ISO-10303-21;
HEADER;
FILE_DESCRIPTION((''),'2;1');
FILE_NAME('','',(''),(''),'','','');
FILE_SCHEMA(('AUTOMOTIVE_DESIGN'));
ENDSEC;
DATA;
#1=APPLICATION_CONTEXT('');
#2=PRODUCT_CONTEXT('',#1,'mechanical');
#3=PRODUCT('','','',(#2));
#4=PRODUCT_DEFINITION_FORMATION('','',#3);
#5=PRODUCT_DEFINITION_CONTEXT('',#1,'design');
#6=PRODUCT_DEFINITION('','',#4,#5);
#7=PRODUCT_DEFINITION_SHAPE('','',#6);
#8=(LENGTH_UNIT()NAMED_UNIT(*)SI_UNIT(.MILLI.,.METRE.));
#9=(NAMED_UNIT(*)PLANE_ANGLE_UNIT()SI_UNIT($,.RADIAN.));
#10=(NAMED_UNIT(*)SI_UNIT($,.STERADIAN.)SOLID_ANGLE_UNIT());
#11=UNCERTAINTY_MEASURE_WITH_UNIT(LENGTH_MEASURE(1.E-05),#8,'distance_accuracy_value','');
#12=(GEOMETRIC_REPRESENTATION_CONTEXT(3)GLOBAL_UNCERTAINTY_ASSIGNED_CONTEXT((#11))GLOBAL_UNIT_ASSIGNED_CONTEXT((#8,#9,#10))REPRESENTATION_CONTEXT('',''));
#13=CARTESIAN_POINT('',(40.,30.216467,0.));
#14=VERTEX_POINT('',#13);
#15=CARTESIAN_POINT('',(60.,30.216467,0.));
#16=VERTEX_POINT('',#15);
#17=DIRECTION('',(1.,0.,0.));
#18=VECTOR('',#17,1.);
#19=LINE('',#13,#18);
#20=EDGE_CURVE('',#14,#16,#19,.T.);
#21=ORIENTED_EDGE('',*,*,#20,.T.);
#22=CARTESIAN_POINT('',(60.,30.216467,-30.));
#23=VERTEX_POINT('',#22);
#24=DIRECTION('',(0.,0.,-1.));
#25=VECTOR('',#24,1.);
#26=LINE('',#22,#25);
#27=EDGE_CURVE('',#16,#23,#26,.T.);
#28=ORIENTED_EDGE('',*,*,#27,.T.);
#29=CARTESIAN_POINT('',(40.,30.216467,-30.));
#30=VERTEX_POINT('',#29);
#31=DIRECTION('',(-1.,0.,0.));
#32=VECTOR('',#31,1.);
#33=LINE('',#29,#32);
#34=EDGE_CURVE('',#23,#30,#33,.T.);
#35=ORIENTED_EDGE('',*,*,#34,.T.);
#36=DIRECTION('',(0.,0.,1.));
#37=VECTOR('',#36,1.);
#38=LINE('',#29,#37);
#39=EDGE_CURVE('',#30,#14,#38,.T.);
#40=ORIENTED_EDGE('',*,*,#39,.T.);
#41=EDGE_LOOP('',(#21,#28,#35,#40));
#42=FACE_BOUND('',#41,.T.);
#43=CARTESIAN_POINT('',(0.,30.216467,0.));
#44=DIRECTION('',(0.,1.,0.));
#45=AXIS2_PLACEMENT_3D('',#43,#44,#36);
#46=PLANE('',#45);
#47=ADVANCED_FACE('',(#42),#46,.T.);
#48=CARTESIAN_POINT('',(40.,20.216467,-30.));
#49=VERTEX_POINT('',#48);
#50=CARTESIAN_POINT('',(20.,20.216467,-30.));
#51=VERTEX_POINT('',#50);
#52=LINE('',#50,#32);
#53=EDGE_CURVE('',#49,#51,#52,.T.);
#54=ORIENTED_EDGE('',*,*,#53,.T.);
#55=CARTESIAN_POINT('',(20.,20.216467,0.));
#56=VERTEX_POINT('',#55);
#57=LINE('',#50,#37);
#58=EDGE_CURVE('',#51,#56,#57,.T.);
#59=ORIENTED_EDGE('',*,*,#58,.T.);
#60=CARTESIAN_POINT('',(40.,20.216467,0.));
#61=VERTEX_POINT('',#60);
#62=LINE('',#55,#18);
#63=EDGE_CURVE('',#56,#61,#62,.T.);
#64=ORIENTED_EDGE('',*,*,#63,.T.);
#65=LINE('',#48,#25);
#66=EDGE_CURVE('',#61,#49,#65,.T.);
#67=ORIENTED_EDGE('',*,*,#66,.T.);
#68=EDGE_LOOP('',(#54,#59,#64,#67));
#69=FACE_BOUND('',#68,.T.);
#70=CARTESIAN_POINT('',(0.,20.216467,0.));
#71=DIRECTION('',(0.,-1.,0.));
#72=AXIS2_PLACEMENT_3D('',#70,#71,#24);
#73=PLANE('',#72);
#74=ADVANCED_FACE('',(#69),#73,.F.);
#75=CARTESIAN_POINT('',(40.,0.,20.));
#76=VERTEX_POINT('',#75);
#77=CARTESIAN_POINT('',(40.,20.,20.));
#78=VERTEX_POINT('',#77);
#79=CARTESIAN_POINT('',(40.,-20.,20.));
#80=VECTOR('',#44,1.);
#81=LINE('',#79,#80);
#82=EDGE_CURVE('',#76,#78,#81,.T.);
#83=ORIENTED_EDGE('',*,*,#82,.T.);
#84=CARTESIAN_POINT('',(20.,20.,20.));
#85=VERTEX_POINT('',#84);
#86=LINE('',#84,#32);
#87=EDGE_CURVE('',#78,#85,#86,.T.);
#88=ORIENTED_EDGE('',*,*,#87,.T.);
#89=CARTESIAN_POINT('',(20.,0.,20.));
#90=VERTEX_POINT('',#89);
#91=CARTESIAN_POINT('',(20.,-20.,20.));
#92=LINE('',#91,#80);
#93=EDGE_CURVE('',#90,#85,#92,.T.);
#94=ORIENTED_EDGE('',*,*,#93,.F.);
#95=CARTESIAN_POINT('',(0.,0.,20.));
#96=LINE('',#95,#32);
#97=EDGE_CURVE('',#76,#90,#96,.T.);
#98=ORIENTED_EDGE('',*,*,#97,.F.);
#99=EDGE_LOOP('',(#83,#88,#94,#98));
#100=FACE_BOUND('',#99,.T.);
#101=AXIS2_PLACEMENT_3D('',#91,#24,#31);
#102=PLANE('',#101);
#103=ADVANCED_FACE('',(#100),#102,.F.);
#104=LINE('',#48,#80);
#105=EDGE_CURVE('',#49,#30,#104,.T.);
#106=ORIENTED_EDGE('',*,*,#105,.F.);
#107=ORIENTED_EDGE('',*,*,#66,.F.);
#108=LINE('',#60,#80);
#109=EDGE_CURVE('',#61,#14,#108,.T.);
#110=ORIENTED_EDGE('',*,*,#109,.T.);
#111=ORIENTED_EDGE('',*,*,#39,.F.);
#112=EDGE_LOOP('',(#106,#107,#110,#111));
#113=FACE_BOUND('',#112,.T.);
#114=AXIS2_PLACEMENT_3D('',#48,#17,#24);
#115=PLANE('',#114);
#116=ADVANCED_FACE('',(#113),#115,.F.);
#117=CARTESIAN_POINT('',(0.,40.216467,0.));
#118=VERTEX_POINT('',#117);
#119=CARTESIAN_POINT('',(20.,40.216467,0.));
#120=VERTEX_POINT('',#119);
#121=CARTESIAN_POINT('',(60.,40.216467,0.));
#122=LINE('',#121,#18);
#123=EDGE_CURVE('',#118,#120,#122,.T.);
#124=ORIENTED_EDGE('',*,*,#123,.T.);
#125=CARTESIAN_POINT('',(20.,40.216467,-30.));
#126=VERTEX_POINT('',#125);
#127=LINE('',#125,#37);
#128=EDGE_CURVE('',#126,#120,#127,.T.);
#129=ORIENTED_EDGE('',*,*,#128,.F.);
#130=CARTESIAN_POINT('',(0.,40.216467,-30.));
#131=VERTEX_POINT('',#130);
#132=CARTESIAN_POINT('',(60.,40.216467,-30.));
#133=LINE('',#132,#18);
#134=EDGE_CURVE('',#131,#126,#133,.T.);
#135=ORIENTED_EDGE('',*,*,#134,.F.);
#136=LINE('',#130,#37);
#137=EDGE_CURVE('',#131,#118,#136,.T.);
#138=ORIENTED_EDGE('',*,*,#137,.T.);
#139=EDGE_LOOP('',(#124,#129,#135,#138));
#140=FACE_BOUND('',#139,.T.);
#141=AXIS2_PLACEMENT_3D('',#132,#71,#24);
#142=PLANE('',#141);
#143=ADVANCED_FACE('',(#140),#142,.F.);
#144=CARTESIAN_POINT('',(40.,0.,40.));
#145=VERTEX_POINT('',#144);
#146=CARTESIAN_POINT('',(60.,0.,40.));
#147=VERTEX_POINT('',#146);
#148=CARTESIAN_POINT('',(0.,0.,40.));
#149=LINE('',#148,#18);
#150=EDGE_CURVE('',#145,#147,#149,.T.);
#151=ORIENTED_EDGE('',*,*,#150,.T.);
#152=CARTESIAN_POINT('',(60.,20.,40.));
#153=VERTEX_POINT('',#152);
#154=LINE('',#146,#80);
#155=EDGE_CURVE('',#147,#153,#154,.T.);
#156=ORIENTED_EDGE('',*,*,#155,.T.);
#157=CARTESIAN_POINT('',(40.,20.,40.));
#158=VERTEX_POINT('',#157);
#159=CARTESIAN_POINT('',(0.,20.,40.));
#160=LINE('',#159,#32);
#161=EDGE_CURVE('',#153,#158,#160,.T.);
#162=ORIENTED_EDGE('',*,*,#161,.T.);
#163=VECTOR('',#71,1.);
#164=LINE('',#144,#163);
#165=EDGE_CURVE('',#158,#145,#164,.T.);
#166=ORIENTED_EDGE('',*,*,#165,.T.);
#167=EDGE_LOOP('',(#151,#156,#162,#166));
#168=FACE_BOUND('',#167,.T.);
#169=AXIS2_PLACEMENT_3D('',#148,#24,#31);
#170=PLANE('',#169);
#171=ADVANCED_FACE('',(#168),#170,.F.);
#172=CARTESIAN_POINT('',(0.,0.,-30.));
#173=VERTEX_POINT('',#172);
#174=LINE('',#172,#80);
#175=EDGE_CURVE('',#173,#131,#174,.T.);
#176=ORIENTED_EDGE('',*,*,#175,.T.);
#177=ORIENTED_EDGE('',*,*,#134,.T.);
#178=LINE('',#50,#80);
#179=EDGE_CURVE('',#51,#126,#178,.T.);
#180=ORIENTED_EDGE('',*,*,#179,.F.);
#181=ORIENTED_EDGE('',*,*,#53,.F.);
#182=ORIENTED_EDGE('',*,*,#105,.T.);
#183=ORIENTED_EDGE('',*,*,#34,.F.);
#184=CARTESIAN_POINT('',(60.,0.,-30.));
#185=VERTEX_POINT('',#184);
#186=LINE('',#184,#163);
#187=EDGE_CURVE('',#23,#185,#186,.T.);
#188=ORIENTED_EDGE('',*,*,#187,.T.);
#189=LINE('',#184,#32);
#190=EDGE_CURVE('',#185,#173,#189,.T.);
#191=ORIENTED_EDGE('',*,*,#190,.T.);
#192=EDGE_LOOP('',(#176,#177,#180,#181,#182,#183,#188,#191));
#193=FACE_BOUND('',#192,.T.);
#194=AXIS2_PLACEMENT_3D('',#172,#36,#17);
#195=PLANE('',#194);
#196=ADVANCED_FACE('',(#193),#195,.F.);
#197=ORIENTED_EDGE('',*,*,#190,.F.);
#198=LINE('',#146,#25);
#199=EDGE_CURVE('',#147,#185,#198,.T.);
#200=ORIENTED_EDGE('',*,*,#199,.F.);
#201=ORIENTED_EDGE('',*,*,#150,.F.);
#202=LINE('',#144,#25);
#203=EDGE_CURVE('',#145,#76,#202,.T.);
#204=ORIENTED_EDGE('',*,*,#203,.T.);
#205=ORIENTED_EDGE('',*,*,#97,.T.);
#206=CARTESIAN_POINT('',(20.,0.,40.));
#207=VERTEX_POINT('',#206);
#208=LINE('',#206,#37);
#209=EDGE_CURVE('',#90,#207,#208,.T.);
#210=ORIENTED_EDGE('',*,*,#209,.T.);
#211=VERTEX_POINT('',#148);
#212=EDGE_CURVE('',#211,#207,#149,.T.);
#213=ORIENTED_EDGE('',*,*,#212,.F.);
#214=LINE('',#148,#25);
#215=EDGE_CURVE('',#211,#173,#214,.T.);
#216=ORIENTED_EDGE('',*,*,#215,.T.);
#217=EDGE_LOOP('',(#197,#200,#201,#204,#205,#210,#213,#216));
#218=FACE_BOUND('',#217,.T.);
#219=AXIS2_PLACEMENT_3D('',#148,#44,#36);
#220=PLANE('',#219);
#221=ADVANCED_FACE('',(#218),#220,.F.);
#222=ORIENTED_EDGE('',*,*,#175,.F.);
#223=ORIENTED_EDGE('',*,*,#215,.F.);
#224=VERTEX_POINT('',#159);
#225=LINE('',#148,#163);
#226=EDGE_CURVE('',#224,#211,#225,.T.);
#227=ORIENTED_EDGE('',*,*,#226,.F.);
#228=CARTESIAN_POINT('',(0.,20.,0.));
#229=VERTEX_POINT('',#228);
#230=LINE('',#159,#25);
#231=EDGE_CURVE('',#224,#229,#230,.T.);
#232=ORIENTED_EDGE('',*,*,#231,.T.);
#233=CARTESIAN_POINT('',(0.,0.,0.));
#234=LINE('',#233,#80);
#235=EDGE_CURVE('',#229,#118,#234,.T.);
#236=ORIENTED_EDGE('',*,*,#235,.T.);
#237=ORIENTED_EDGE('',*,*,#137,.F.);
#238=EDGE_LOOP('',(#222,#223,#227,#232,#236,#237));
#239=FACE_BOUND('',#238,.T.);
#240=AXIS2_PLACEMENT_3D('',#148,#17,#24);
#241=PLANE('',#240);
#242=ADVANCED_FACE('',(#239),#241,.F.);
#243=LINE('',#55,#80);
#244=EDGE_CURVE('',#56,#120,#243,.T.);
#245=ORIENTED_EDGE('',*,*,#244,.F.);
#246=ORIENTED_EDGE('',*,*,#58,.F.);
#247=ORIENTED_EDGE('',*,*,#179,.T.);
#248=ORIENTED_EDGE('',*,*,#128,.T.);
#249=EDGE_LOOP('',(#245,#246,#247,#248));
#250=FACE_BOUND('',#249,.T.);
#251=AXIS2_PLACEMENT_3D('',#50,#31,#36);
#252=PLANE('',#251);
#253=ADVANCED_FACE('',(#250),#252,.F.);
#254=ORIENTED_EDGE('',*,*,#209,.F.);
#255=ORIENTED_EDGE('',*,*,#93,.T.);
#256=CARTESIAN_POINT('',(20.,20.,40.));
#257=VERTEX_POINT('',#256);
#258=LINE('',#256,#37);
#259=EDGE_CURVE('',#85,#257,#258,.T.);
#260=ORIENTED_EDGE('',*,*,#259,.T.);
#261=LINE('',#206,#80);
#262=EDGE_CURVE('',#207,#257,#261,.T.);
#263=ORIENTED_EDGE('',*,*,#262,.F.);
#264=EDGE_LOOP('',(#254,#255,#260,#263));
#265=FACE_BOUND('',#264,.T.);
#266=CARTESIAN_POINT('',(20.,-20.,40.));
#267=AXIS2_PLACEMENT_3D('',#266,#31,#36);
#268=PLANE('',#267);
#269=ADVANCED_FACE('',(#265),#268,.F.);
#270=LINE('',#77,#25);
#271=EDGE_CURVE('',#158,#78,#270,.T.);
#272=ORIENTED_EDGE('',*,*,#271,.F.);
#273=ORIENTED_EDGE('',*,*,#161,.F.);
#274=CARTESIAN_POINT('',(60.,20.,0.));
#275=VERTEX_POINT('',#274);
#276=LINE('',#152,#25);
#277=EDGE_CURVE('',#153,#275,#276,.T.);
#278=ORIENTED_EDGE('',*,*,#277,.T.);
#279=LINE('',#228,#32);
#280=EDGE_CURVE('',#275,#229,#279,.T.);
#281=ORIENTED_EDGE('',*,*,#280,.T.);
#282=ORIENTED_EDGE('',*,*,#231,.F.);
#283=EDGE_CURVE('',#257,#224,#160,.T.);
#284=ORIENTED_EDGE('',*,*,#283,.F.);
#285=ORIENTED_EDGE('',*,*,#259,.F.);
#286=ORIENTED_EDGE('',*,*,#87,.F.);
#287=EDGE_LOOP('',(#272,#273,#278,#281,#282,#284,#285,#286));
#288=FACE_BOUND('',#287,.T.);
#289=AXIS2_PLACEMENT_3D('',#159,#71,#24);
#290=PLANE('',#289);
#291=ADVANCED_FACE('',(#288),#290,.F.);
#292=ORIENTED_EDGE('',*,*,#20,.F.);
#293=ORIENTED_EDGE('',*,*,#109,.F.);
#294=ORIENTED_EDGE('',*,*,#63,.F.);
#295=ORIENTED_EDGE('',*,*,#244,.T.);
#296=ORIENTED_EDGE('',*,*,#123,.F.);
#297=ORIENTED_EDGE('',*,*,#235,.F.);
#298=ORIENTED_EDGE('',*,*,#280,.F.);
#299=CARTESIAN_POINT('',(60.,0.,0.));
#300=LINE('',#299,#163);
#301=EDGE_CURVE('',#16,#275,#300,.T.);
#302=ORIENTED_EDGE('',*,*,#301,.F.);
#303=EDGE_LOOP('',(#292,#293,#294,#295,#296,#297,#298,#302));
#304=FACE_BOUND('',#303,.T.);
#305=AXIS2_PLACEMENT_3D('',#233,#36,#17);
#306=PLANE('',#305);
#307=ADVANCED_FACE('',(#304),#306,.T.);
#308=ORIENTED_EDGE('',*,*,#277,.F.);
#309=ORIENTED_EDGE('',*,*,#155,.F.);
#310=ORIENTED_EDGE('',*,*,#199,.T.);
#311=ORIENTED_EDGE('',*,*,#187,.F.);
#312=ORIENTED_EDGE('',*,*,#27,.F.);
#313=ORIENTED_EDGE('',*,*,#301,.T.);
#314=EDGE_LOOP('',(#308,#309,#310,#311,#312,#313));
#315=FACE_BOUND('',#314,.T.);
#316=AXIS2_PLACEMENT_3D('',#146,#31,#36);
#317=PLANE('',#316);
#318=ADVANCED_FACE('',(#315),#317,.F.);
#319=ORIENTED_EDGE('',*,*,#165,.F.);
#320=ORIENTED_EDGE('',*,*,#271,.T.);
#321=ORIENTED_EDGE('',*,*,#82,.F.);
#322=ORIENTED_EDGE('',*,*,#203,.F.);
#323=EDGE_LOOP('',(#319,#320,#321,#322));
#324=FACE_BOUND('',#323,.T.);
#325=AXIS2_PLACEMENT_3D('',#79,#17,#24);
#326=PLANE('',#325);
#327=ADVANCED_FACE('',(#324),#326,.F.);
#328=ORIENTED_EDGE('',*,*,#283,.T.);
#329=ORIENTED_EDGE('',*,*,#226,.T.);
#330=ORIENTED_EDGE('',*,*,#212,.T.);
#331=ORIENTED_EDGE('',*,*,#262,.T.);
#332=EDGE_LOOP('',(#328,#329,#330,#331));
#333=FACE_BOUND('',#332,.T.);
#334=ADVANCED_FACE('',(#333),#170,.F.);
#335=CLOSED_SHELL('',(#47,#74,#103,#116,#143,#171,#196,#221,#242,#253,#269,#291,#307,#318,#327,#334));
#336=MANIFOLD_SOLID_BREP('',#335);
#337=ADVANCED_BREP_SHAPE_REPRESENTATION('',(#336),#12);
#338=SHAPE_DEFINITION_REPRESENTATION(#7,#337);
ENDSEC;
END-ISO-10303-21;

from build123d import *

# Parameters (mm, degrees)
ESBO_O1_W                = 60
ESBO_O1_H                = 20
RESSALTO_EXTRUS_O1_DEPTH = 40
ESBO_O2_W                = 20
ESBO_O2_H                = 20
CORTE_EXTRUS_O1_DEPTH    = 40
ESBO_O3_W                = 60
ESBO_O3_H                = 40.21646748
RESSALTO_EXTRUS_O2_DEPTH = 30
ESBO_O4_W                = 20
ESBO_O4_H                = 30
CORTE_EXTRUS_O4_DEPTH    = 20
ESBO_O7_W                = 20
ESBO_O7_H                = 30
CORTE_EXTRUS_O6_DEPTH    = 10


with BuildPart() as part:
    # Esboço1 → Ressalto-extrusão1 (new body)
    with BuildSketch(Plane.XY):
        with Locations((30, 10)):
            Rectangle(ESBO_O1_W, ESBO_O1_H)
    extrude(amount=RESSALTO_EXTRUS_O1_DEPTH)

    # Esboço2 → Corte-extrusão1 (cut)
    with BuildSketch(Plane(origin=(0, 20, 0), x_dir=(1, 0, 0), z_dir=(0, 1, 0))):
        with Locations((30, -30)):
            Rectangle(ESBO_O2_W, ESBO_O2_H)
    extrude(amount=-CORTE_EXTRUS_O1_DEPTH, mode=Mode.SUBTRACT)

    # Esboço3 → Ressalto-extrusão2 (add)
    with BuildSketch(Plane(origin=(0, 0, 0), x_dir=(-1, 0, 0), z_dir=(0, 0, -1))):
        with Locations((-30, 20.10823374)):
            Rectangle(ESBO_O3_W, ESBO_O3_H)
    extrude(amount=RESSALTO_EXTRUS_O2_DEPTH)

    # Esboço4 → Corte-extrusão4 (cut)
    with BuildSketch(Plane(origin=(0, 40.21646748, 0), x_dir=(1, 0, 0), z_dir=(0, 1, 0))):
        with Locations((30, 15)):
            Rectangle(ESBO_O4_W, ESBO_O4_H)
    extrude(amount=-CORTE_EXTRUS_O4_DEPTH, mode=Mode.SUBTRACT)

    # Esboço7 → Corte-extrusão6 (cut)
    with BuildSketch(Plane(origin=(0, 40.21646748, 0), x_dir=(1, 0, 0), z_dir=(0, 1, 0))):
        with Locations((50, 15)):
            Rectangle(ESBO_O7_W, ESBO_O7_H)
    extrude(amount=-CORTE_EXTRUS_O6_DEPTH, mode=Mode.SUBTRACT)


solid = part.part
